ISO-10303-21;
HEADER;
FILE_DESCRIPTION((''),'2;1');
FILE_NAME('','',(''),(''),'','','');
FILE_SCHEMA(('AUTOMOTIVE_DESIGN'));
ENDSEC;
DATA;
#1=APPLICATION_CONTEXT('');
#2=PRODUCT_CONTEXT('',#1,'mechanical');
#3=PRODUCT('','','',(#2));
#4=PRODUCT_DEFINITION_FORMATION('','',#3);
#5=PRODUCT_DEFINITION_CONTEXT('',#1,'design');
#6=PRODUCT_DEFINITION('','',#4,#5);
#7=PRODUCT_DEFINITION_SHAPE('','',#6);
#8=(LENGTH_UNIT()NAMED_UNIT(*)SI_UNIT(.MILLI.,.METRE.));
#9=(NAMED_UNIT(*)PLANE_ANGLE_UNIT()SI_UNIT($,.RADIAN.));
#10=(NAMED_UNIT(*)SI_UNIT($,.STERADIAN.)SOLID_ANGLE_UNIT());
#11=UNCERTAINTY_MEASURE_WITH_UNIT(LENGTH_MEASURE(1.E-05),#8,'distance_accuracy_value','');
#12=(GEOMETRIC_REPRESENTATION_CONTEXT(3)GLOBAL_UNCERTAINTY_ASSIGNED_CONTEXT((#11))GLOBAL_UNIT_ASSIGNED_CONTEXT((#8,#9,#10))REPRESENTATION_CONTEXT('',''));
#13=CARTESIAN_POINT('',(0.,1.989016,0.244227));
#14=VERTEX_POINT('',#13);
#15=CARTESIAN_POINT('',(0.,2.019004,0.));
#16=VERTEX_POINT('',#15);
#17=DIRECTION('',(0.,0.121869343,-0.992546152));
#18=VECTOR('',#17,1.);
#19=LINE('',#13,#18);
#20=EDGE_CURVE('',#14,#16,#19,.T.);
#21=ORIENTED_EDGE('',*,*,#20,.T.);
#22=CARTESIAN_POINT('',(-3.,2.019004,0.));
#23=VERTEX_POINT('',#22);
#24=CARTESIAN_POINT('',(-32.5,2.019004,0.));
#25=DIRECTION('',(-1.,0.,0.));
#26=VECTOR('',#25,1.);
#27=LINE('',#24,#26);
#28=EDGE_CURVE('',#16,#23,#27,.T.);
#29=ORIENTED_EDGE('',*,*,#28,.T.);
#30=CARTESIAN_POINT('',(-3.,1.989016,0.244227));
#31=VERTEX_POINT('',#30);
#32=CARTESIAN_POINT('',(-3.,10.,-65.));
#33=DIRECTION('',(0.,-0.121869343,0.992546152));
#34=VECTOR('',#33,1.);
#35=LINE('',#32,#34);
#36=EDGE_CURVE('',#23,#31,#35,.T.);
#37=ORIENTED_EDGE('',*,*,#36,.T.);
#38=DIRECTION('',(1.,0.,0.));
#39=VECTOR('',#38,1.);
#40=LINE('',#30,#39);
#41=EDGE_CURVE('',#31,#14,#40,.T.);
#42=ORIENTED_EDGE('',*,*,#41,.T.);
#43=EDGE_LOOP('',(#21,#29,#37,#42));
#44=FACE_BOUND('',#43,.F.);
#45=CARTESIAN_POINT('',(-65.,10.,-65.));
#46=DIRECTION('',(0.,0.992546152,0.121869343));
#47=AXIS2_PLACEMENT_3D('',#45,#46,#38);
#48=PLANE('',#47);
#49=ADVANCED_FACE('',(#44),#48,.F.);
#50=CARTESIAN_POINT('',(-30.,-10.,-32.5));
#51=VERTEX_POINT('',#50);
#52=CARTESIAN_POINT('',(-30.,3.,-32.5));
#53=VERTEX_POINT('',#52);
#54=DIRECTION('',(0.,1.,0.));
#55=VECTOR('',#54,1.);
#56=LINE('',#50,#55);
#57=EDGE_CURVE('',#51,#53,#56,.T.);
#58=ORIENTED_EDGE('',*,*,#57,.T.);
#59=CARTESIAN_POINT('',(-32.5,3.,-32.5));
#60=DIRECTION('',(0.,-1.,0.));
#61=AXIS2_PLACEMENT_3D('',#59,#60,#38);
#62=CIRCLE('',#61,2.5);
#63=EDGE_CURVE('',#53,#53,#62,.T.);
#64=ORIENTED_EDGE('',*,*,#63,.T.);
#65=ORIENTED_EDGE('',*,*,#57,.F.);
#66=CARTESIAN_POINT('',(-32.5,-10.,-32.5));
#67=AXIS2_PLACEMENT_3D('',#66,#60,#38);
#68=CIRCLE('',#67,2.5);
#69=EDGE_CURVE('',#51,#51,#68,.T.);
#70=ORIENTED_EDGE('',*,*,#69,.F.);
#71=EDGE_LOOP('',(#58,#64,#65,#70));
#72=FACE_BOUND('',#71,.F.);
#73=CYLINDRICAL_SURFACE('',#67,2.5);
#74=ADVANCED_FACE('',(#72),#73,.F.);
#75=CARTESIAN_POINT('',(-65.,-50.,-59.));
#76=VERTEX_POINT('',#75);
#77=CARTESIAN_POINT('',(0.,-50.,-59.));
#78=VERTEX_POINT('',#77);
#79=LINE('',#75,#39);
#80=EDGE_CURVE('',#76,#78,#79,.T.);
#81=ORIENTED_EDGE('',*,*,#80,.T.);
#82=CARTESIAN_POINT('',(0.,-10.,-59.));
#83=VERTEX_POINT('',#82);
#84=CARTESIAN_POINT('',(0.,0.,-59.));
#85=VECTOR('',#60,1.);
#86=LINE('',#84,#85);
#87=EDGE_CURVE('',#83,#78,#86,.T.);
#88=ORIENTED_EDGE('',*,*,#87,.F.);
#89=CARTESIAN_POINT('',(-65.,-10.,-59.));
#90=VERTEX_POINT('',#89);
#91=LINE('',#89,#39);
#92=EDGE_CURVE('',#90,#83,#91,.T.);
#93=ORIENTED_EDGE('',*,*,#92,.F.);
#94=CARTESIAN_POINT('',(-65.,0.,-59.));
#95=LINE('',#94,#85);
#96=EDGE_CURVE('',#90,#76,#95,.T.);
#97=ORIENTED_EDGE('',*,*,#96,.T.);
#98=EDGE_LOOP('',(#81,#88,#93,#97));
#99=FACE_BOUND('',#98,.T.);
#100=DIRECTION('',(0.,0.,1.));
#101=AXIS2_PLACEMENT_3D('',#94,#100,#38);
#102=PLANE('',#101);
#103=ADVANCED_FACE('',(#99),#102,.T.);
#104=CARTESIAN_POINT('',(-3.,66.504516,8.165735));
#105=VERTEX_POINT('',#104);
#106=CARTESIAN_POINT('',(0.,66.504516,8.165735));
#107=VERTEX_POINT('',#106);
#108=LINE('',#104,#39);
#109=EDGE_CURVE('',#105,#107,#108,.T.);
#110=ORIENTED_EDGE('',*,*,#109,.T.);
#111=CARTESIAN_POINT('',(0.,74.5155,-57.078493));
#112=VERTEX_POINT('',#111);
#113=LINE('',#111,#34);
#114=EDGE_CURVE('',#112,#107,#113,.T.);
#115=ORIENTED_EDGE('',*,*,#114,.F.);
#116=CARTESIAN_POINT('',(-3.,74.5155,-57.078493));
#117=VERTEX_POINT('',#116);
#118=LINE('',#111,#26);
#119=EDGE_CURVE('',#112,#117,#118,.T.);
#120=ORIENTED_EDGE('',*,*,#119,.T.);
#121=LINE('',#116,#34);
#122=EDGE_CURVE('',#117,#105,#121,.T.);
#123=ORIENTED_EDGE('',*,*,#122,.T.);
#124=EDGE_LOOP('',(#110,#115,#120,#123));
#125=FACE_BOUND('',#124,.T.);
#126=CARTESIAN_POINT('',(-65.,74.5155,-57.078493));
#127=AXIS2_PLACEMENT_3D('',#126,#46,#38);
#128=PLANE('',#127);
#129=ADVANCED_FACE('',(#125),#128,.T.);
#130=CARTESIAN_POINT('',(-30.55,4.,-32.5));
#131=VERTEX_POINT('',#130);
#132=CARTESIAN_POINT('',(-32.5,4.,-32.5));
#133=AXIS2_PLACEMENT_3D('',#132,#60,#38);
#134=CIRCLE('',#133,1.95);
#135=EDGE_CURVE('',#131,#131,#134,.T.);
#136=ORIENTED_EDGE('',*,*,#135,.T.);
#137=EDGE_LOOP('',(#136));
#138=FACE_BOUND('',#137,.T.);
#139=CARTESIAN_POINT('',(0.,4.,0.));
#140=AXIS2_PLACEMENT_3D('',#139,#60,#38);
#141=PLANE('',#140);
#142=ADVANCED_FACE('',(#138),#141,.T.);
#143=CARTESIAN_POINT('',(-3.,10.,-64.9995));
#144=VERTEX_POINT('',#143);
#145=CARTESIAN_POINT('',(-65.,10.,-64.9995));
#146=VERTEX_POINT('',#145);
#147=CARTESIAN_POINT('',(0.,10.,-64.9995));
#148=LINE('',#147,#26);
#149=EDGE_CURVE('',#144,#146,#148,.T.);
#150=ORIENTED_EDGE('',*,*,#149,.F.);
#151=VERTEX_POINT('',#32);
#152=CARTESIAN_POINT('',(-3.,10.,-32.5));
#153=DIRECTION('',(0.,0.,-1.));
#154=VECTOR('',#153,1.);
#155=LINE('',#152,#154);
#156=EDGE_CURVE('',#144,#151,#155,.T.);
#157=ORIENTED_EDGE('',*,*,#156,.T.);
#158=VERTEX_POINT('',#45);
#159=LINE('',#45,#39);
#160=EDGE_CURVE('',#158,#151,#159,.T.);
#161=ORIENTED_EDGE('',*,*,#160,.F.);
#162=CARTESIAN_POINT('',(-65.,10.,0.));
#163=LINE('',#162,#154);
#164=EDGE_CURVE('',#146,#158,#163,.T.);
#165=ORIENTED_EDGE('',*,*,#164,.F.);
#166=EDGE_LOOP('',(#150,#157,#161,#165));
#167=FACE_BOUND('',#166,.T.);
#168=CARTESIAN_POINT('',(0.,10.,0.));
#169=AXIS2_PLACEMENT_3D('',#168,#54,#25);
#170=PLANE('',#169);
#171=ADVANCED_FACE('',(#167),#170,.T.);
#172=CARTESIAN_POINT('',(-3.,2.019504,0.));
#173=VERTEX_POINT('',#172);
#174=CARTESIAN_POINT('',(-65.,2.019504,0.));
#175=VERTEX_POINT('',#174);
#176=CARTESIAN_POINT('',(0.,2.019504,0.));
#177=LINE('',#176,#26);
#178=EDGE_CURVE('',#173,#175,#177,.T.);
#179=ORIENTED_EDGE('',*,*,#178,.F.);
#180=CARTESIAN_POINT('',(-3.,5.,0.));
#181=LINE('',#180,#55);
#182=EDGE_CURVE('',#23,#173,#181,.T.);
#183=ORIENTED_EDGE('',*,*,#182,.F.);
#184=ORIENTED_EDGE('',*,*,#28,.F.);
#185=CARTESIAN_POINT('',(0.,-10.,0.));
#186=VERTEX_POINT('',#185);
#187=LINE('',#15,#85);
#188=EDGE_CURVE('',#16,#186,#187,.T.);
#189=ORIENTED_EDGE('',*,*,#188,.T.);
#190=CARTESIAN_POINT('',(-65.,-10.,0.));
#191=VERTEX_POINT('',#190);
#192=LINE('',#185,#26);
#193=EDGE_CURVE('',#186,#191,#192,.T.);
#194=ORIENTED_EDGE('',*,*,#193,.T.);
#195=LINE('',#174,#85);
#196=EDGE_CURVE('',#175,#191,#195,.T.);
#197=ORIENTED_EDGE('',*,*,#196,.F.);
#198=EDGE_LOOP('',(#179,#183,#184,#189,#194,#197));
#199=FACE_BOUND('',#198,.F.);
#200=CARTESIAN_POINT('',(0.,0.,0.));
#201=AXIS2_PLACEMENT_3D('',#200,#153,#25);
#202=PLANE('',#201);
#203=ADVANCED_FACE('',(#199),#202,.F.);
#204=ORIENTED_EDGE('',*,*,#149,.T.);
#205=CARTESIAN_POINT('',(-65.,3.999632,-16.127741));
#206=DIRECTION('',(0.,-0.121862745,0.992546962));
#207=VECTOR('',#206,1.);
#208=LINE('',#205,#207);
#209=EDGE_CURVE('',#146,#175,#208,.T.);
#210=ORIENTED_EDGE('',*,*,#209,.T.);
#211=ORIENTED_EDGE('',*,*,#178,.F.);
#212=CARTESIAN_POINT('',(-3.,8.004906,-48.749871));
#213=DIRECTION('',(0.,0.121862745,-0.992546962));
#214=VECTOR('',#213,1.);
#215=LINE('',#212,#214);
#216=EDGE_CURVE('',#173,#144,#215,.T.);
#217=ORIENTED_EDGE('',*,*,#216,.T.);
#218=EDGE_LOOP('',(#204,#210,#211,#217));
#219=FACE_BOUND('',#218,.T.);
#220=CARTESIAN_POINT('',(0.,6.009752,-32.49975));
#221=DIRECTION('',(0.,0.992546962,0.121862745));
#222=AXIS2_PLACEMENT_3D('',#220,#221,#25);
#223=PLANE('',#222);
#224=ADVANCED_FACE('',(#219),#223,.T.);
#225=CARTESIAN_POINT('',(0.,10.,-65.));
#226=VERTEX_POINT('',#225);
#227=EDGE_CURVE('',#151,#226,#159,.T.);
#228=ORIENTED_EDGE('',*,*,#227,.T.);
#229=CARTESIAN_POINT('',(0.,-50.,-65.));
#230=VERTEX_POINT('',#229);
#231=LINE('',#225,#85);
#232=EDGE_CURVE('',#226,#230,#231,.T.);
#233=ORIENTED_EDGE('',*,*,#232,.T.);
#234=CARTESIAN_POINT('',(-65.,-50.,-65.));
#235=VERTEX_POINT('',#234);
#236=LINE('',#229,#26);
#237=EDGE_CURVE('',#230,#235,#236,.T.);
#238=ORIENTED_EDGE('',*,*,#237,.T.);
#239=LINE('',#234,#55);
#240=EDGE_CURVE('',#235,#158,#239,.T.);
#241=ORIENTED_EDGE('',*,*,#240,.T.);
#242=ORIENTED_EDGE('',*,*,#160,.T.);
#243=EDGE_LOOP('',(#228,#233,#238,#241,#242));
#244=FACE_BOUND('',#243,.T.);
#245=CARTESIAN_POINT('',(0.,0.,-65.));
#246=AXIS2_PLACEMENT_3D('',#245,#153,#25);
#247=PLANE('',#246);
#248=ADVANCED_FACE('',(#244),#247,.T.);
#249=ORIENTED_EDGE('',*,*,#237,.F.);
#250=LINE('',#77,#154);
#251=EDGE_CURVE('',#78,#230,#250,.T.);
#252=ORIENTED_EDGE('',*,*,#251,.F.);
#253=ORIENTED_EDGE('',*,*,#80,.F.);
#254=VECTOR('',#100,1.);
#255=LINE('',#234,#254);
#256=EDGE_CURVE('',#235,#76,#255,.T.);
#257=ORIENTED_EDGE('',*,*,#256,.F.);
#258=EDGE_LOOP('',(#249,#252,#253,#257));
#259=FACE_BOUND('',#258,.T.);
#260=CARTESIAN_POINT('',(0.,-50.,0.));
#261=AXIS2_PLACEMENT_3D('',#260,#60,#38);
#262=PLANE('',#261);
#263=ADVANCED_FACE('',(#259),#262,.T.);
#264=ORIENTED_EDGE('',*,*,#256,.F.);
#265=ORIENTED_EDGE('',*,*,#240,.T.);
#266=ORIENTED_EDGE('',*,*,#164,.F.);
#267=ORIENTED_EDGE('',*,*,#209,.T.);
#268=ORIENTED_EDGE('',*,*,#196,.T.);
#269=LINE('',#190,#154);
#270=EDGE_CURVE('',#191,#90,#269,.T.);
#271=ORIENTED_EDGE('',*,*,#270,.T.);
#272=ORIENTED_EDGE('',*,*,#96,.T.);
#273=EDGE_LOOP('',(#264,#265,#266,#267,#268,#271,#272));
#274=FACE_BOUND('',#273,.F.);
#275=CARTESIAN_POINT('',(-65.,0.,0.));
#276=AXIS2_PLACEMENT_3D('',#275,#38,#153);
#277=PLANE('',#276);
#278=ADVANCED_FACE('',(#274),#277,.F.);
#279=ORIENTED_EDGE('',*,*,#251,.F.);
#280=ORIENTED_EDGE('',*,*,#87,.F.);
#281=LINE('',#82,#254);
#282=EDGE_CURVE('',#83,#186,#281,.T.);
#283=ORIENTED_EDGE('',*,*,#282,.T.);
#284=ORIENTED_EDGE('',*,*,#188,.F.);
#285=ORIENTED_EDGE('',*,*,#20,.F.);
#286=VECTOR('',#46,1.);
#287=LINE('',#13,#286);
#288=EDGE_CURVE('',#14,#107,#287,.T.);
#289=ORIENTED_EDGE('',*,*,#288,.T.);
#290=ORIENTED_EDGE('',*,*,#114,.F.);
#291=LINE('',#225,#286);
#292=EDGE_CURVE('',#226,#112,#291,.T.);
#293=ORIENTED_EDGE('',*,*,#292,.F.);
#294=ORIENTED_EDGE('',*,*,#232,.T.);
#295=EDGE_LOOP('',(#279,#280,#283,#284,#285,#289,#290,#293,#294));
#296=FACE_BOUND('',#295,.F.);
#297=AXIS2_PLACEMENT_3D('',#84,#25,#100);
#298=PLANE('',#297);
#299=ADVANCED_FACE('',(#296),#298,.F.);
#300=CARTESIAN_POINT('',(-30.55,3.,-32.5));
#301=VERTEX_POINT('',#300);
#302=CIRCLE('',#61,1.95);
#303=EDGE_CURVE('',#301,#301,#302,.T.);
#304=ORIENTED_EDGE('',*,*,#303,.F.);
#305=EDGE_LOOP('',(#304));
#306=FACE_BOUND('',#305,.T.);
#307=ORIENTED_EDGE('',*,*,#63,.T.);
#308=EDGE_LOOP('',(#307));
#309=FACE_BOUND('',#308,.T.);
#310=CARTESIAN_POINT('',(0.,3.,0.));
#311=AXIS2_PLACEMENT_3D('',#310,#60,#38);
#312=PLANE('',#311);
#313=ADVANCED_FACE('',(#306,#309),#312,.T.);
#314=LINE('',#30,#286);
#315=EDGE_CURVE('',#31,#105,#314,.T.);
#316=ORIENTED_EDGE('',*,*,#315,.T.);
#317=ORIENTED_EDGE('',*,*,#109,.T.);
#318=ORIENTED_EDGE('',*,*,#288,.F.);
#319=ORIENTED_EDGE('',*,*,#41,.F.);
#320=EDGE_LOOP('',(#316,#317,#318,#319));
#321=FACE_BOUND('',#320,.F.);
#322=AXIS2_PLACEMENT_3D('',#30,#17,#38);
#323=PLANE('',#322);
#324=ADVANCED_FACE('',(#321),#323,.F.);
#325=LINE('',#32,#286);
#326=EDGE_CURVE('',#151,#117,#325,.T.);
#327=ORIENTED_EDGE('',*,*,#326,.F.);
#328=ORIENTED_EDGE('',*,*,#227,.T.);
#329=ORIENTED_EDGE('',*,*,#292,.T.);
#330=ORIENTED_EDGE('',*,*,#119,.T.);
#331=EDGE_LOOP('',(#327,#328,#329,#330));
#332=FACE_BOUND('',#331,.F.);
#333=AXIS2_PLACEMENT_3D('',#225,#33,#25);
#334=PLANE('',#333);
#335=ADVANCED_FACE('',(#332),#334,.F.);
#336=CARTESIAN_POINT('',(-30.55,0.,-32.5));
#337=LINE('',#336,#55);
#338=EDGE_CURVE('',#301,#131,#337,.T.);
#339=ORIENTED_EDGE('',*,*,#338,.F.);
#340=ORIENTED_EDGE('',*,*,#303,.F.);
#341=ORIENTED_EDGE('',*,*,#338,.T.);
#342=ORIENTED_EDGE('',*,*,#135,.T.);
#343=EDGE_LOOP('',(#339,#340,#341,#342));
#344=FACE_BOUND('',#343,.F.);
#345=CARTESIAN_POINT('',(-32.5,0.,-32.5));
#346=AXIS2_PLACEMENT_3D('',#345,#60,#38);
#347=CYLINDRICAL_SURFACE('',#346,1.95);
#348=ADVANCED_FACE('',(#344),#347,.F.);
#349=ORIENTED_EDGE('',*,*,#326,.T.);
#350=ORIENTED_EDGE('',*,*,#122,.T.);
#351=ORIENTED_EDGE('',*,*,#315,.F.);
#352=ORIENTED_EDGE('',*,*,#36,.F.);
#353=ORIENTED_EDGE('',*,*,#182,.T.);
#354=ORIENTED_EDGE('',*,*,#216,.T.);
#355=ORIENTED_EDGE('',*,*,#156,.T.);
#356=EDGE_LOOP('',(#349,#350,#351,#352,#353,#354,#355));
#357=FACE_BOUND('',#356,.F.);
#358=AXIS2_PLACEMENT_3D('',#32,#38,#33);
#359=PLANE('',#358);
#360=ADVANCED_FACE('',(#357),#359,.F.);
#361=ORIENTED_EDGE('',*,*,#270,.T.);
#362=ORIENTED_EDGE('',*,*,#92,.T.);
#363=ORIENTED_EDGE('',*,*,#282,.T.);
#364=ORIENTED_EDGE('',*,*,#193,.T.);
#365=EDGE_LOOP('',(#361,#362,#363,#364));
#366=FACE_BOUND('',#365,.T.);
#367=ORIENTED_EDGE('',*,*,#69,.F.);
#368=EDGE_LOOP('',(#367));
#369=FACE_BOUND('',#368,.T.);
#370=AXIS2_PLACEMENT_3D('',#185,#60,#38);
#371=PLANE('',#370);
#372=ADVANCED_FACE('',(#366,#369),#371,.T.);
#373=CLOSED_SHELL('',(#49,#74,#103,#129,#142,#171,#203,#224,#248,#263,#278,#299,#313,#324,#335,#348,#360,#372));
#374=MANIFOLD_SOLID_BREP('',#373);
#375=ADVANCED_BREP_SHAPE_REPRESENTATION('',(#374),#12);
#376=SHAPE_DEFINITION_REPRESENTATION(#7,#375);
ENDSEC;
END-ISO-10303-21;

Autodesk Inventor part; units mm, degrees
ref_plane "YZ Plane" through (0, 0, 0) normal (1, 0, 0) x (0, 1, 0)
ref_plane "XZ Plane" through (0, 0, 0) normal (0, 1, 0) x (-1, 0, 0)
ref_plane "XY Plane" through (0, 0, 0) normal (0, 0, 1) x (1, 0, 0)
sketch "草图1" plane through (0, 0, 0) normal (0, 1, 0) x (-1, 0, 0)
  line L0 (0, 0) -> (65, 0)
  line L1 (65, 0) -> (65, -65)
  line L2 (65, -65) -> (0, -65)
  line L3 (0, -65) -> (0, 0)
  dimension "d0" = 65
  dimension "d1" = 65
extrude "拉伸1" add sketch "草图1" along normal blind 10
chamfer "倒角1" distance 65 angle 7 1 edges at (-32.5, 10, 0) measured on face at (-43.3333, 10, -43.3333)
sketch "草图2" plane through (0, 0, 0) normal (0, -1, 0) x (1, 0, 0)
  line L0 (-65, 0) -> (0, 0) projected
  line L1 (-32.5, 0) -> (-32.5, -65)
  line L2 (0, -65) -> (-65, -65) projected
  circle A0 centre (-32.5, -32.5) radius 1.95
  dimension "d7" = 3.9
extrude "拉伸2" cut sketch "草图2" against normal blind 4
sketch "草图3" plane through (0, 0, 0) normal (0, -1, 0) x (1, 0, 0)
  line L0 (0, -65) -> (-65, -65) projected
  line L1 (-65, -65) -> (-65, 0) projected
  line L2 (0, -65) -> (-65, -65)
  line L3 (-65, -65) -> (-65, -59)
  line L4 (-65, -59) -> (0, -59)
  line L5 (0, -59) -> (0, -65)
  point P0 (0, 0)
  dimension "d10" = 6
extrude "拉伸3" add sketch "草图3" along normal blind 50
sketch "草图4" plane through (-65, 10, -65) normal (0, 0.9925, 0.1219) x (1, 0, 0)
  line L0 (65, -7.3122) -> (65, 0) projected
  line L1 (65, 0) -> (62, 0)
  line L2 (62, 0) -> (62, -65.7342)
  line L3 (62, -65.7342) -> (65, -65.7342)
  line L4 (65, -65.7342) -> (65, 0)
  point P0 (65, -65.7342)
  dimension "d13" = 3
extrude "拉伸4" add sketch "草图4" along normal blind 65
sketch "草图5" plane through (0, 0, 0) normal (0, -1, 0) x (1, 0, 0)
  line L0 (-65, -59) -> (-65, -65) projected
  line L1 (0, 0) -> (-65, 0)
  line L2 (-65, 0) -> (-65, -59)
  line L3 (-65, -59) -> (0, -59)
  line L4 (0, -59) -> (0, 0)
extrude "拉伸5" add sketch "草图5" along normal blind 10
sketch "草图6" plane through (0, -10, 0) normal (0, -1, 0) x (1, 0, 0)
  circle A0 centre (-32.5, -32.5) radius 1.95 projected
  circle A1 centre (-32.5, -32.5) radius 2.5
  point P0 (0, 0)
  dimension "d18" = 5
extrude "拉伸6" cut sketch "草图6" against normal blind 13 contours A0 | A1
equation "\"折弯半径\" = 厚度"
equation "\"折弯释压宽度\" = 厚度"
equation "\"折弯释压深度\" = 0.5 * 厚度"
equation "\"拐角释压尺寸\" = 4 * 厚度"
equation "\"最小余量\" = 2 * 厚度"
equation "\"过渡半径\" = 折弯半径"
equation "\"Jacobi半径尺寸\" = 折弯半径"
equation "\"间隙大小\" = 厚度"
equation "\"厚度\" = 0.5"
properties part number "斜面"
